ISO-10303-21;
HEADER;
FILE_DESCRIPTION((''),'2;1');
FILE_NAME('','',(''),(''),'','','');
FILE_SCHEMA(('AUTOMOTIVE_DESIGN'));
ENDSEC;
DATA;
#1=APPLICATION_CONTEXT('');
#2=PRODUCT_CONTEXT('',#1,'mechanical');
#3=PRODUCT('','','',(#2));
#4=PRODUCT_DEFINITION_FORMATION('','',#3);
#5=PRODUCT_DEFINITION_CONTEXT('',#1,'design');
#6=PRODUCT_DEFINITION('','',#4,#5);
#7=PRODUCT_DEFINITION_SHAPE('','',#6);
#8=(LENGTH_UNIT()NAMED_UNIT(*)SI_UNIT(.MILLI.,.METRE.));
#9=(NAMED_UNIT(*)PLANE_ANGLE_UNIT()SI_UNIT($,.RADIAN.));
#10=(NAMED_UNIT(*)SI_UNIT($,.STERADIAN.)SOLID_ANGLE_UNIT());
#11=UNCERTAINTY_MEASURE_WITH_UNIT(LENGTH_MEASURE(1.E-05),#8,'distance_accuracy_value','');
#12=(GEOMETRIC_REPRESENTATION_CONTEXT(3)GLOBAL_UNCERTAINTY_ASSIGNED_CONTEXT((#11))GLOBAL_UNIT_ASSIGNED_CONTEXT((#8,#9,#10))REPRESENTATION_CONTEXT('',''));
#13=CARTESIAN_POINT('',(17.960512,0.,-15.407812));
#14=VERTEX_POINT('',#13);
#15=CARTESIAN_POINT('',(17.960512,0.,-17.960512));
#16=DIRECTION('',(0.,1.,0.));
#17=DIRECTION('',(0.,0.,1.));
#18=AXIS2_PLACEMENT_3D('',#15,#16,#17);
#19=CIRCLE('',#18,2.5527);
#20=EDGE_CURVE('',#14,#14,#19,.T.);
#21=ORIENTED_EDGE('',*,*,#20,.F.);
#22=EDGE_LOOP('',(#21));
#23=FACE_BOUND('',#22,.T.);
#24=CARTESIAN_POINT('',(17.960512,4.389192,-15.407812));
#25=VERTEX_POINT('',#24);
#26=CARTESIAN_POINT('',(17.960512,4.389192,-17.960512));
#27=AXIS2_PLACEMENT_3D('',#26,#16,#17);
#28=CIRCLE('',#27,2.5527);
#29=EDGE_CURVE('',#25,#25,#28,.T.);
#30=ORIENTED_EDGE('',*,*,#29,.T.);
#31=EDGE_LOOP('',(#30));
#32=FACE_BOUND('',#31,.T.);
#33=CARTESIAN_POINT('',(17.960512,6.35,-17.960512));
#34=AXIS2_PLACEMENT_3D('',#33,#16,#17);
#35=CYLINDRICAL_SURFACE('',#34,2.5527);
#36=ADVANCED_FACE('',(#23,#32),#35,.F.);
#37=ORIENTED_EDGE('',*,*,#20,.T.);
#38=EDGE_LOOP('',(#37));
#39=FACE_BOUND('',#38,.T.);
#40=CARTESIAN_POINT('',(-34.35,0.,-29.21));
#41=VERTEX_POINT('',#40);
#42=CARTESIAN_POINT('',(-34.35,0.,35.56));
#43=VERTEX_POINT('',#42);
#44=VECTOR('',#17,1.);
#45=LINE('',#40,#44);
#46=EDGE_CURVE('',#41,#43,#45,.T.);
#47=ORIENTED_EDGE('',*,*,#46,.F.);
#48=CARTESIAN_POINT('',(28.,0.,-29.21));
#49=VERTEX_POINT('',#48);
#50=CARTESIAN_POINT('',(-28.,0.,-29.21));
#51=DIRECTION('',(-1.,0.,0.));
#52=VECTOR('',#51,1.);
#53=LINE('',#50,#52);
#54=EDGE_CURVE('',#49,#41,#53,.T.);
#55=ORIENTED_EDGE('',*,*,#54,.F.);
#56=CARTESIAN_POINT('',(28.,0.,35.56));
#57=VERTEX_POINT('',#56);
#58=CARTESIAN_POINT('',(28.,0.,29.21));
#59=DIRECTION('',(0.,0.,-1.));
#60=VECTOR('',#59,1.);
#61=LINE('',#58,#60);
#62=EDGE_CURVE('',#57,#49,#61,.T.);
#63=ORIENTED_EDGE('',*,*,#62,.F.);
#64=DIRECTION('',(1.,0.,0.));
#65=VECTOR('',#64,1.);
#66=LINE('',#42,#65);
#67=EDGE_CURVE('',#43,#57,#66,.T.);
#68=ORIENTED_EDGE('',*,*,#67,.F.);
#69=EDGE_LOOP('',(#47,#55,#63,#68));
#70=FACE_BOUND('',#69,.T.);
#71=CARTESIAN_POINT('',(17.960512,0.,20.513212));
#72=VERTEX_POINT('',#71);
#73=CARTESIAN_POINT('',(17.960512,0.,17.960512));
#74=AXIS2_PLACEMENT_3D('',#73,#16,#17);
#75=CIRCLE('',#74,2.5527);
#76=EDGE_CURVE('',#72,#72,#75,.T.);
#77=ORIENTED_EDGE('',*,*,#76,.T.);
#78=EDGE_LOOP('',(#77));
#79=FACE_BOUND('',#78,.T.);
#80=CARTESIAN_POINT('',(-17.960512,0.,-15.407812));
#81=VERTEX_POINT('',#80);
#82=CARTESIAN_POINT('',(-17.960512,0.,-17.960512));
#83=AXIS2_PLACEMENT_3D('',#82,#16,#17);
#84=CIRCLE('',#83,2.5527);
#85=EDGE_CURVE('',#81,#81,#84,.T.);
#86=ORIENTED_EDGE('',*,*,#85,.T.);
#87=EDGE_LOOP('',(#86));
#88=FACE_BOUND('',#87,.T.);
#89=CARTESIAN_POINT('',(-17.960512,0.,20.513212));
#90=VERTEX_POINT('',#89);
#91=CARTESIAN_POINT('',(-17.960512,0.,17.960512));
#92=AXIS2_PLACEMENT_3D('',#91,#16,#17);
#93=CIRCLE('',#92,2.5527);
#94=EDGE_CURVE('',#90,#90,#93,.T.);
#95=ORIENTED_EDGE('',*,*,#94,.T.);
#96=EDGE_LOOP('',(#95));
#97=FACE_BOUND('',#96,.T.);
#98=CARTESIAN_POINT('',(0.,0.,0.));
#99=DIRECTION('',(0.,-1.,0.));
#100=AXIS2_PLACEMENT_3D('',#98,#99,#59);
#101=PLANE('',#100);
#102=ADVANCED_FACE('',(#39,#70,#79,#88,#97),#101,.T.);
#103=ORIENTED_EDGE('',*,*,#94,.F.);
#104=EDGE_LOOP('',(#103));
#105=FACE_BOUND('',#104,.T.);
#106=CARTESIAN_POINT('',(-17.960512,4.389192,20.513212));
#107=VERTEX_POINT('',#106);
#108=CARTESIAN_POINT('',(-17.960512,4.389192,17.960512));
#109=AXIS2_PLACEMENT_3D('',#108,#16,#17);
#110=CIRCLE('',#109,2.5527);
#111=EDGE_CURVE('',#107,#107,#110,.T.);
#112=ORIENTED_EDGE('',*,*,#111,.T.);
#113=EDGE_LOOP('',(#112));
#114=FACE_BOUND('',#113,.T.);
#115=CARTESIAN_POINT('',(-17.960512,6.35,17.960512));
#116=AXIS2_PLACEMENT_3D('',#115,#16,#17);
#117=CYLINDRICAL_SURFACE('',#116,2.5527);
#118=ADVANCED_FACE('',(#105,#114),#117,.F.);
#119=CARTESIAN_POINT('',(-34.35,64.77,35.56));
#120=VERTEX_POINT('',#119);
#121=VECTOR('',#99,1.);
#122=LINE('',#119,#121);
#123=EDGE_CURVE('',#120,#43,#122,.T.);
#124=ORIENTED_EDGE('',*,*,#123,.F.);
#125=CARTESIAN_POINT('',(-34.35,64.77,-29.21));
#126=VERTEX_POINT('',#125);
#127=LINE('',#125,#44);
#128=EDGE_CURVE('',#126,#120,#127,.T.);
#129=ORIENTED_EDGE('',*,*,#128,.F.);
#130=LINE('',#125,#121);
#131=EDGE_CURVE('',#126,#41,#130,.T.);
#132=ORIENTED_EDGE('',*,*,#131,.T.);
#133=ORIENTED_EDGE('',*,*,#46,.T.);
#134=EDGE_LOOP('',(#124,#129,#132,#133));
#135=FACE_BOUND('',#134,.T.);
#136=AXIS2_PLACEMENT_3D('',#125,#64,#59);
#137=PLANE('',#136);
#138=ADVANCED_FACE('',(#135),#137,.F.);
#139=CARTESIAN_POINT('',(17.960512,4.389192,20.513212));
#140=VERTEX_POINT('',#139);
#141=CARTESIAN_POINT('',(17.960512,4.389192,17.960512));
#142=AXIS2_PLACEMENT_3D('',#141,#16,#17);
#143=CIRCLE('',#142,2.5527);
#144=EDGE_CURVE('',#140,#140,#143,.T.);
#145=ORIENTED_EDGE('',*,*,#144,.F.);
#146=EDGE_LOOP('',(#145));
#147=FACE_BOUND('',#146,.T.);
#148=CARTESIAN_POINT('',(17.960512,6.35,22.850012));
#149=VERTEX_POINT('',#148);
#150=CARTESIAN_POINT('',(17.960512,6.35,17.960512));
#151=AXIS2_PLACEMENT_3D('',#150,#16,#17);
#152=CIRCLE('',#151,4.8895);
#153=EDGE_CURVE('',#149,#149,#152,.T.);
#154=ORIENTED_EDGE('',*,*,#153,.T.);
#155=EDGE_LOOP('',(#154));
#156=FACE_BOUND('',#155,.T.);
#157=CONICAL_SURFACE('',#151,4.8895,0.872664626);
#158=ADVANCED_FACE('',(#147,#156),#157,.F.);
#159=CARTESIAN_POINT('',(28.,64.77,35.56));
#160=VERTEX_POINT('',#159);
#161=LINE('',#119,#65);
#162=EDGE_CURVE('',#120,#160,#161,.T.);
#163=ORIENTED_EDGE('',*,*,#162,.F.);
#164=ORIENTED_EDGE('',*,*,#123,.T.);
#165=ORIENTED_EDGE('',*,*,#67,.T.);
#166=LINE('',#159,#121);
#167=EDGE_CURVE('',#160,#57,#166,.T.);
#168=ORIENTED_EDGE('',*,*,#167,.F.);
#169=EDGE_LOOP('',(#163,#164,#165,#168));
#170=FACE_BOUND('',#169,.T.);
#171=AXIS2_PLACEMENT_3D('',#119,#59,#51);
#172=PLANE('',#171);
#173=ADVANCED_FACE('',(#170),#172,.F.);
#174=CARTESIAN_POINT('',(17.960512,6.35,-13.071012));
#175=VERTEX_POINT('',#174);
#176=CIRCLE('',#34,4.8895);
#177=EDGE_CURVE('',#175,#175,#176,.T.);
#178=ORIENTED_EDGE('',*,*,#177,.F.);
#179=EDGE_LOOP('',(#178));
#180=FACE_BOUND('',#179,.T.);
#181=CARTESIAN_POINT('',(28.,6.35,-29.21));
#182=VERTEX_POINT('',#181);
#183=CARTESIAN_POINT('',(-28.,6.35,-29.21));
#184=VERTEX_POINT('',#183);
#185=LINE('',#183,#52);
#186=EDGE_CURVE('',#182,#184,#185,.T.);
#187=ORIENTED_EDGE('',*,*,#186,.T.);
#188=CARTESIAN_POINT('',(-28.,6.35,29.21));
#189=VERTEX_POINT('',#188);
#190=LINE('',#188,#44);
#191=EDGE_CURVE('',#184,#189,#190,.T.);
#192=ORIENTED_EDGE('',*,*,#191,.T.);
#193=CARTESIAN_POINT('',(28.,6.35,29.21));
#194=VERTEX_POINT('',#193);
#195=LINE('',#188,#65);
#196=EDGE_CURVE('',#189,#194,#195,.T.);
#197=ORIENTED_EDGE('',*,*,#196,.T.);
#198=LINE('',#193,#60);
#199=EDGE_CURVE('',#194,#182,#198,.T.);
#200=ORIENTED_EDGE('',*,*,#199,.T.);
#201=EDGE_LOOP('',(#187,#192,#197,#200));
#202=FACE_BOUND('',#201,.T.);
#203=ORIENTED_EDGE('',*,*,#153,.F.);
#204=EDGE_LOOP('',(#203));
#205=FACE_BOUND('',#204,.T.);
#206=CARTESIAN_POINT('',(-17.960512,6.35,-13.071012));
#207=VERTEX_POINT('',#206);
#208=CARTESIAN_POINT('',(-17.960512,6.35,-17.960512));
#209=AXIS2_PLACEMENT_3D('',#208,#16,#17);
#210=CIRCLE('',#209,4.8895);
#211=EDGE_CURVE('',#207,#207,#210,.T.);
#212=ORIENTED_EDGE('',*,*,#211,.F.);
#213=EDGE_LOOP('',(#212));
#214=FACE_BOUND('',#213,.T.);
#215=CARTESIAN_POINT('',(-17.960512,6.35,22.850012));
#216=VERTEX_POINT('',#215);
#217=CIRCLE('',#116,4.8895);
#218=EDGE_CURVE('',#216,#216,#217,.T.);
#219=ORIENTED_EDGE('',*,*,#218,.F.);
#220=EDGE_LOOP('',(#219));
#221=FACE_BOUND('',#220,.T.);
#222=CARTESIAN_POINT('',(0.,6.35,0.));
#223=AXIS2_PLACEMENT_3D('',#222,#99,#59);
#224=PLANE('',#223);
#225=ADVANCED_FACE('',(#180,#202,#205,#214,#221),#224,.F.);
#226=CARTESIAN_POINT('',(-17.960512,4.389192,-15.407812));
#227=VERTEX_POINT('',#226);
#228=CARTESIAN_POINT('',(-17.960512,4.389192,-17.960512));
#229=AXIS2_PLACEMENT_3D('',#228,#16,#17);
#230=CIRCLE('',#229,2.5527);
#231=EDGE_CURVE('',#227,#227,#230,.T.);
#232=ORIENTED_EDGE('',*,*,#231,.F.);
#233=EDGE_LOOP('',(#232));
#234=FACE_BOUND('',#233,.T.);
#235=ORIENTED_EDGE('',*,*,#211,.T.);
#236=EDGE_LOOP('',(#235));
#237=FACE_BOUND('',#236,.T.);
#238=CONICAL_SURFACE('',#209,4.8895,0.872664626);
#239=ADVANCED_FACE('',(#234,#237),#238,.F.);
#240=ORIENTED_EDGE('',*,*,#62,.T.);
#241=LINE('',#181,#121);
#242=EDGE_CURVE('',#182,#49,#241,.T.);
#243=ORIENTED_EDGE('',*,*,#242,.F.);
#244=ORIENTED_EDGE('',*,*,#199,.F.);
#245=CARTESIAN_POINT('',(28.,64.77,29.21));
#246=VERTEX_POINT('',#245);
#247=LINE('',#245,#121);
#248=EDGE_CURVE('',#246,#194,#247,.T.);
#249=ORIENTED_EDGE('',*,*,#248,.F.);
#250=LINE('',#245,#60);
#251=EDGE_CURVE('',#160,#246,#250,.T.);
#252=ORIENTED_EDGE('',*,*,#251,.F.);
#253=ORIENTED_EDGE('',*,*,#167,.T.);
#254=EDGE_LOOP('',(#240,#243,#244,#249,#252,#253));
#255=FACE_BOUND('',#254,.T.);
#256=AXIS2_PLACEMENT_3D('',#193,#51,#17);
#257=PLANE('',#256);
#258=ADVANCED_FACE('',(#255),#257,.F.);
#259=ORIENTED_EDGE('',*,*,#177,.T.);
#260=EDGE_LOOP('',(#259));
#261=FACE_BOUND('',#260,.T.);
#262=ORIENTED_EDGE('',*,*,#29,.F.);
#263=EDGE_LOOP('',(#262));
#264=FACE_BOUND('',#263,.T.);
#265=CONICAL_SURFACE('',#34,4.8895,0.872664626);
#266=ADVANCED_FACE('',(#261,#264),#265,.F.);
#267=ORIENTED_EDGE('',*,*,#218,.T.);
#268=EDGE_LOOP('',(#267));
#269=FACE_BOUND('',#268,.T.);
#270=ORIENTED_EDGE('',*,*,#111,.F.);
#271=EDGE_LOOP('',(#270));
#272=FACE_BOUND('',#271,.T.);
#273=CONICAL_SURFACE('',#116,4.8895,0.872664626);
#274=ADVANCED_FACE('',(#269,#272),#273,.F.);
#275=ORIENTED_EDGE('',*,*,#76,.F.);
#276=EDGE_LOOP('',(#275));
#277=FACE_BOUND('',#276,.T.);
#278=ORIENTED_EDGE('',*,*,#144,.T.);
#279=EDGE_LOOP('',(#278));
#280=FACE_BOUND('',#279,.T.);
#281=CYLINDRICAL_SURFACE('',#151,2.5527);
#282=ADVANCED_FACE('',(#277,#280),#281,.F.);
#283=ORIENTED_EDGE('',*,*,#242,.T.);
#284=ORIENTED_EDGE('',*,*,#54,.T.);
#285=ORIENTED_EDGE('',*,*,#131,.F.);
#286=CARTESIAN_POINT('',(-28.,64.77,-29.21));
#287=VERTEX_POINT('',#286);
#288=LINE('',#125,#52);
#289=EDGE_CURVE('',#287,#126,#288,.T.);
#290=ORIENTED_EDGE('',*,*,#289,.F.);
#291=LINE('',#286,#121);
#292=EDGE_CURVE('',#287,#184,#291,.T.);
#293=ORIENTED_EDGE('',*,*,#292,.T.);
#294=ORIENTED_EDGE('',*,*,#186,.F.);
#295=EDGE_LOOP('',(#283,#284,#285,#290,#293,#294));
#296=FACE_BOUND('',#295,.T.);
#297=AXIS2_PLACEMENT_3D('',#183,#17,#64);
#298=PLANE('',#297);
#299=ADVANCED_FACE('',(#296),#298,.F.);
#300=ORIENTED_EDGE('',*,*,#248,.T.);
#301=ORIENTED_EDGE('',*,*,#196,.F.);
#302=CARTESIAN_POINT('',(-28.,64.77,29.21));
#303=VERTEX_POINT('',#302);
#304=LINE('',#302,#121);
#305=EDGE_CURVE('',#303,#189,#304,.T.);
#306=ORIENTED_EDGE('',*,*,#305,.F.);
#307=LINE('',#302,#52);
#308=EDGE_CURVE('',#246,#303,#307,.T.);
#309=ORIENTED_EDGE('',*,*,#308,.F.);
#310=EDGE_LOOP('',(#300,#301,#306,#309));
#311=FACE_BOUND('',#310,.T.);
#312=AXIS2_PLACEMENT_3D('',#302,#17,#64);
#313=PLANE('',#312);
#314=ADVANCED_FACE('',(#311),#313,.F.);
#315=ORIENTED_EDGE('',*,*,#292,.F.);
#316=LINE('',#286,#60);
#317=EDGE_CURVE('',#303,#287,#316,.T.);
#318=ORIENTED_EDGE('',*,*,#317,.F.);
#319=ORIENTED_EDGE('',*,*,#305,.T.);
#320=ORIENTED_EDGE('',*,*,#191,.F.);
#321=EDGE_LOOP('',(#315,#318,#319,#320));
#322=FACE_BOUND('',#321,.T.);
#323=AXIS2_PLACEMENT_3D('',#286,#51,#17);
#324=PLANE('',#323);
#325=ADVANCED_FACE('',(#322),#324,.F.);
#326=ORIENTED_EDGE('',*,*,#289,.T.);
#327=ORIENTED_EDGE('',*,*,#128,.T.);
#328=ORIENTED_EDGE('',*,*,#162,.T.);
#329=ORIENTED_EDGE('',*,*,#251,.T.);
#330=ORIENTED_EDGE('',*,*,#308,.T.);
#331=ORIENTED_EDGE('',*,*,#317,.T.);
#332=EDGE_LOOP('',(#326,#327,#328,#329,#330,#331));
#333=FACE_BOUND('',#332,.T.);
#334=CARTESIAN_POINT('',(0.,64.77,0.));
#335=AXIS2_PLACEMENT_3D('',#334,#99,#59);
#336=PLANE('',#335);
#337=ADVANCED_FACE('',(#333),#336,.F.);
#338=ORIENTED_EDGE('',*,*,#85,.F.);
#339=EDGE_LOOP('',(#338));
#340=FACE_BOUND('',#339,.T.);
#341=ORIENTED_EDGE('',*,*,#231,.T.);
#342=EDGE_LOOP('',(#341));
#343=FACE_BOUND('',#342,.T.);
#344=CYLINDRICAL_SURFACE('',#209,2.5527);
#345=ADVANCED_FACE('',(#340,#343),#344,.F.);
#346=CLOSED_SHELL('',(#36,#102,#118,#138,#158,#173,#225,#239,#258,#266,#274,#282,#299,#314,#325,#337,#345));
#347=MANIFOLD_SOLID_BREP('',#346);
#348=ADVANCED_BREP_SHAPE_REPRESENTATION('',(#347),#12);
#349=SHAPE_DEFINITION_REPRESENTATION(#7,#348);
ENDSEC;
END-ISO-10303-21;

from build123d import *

# Parameters (mm, degrees)
MOTORPROFILE_W                                     = 56
MOTORPROFILE_H                                     = 58.42
BOSS_EXTRUDE2_DEPTH                                = 6.35
BOSS_EXTRUDE3_DEPTH                                = 64.77
CSK_FOR_10_FLAT_HEAD_MACHINE_SCREW_100_D           = 5.1054
CSK_FOR_10_FLAT_HEAD_MACHINE_SCREW_100_CSINK_D     = 9.779
CSK_FOR_10_FLAT_HEAD_MACHINE_SCREW_100_CSINK_ANGLE = 100


with BuildPart() as part:
    # MotorProfile → Boss-Extrude2 (new body)
    with BuildSketch(Plane(origin=(0, 0, 0), x_dir=(1, 0, 0), z_dir=(0, 1, 0))):
        Rectangle(MOTORPROFILE_W, MOTORPROFILE_H)
    extrude(amount=BOSS_EXTRUDE2_DEPTH)

    # Sketch2 → Boss-Extrude3 (add)
    with BuildSketch(Plane(origin=(0, 0, 0), x_dir=(1, 0, 0), z_dir=(0, 1, 0))):
        Polygon((-34.35, 29.21), (-34.35, -35.56), (28, -35.56), (28, -29.21), (-28, -29.21), (-28, 29.21), align=None)
    extrude(amount=BOSS_EXTRUDE3_DEPTH)

    # CSK for #10 Flat Head Machine Screw (100)1 (through all)
    with Locations(Plane(origin=(0, 6.35, 0), x_dir=(1, 0, 0), z_dir=(0, 1, 0))):
        with Locations((-17.960512242, 17.960512242), (-17.960512242, -17.960512242), (17.960512242, -17.960512242), (17.960512242, 17.960512242)):
            CounterSinkHole(CSK_FOR_10_FLAT_HEAD_MACHINE_SCREW_100_D / 2, CSK_FOR_10_FLAT_HEAD_MACHINE_SCREW_100_CSINK_D / 2, counter_sink_angle=CSK_FOR_10_FLAT_HEAD_MACHINE_SCREW_100_CSINK_ANGLE)


solid = part.part
